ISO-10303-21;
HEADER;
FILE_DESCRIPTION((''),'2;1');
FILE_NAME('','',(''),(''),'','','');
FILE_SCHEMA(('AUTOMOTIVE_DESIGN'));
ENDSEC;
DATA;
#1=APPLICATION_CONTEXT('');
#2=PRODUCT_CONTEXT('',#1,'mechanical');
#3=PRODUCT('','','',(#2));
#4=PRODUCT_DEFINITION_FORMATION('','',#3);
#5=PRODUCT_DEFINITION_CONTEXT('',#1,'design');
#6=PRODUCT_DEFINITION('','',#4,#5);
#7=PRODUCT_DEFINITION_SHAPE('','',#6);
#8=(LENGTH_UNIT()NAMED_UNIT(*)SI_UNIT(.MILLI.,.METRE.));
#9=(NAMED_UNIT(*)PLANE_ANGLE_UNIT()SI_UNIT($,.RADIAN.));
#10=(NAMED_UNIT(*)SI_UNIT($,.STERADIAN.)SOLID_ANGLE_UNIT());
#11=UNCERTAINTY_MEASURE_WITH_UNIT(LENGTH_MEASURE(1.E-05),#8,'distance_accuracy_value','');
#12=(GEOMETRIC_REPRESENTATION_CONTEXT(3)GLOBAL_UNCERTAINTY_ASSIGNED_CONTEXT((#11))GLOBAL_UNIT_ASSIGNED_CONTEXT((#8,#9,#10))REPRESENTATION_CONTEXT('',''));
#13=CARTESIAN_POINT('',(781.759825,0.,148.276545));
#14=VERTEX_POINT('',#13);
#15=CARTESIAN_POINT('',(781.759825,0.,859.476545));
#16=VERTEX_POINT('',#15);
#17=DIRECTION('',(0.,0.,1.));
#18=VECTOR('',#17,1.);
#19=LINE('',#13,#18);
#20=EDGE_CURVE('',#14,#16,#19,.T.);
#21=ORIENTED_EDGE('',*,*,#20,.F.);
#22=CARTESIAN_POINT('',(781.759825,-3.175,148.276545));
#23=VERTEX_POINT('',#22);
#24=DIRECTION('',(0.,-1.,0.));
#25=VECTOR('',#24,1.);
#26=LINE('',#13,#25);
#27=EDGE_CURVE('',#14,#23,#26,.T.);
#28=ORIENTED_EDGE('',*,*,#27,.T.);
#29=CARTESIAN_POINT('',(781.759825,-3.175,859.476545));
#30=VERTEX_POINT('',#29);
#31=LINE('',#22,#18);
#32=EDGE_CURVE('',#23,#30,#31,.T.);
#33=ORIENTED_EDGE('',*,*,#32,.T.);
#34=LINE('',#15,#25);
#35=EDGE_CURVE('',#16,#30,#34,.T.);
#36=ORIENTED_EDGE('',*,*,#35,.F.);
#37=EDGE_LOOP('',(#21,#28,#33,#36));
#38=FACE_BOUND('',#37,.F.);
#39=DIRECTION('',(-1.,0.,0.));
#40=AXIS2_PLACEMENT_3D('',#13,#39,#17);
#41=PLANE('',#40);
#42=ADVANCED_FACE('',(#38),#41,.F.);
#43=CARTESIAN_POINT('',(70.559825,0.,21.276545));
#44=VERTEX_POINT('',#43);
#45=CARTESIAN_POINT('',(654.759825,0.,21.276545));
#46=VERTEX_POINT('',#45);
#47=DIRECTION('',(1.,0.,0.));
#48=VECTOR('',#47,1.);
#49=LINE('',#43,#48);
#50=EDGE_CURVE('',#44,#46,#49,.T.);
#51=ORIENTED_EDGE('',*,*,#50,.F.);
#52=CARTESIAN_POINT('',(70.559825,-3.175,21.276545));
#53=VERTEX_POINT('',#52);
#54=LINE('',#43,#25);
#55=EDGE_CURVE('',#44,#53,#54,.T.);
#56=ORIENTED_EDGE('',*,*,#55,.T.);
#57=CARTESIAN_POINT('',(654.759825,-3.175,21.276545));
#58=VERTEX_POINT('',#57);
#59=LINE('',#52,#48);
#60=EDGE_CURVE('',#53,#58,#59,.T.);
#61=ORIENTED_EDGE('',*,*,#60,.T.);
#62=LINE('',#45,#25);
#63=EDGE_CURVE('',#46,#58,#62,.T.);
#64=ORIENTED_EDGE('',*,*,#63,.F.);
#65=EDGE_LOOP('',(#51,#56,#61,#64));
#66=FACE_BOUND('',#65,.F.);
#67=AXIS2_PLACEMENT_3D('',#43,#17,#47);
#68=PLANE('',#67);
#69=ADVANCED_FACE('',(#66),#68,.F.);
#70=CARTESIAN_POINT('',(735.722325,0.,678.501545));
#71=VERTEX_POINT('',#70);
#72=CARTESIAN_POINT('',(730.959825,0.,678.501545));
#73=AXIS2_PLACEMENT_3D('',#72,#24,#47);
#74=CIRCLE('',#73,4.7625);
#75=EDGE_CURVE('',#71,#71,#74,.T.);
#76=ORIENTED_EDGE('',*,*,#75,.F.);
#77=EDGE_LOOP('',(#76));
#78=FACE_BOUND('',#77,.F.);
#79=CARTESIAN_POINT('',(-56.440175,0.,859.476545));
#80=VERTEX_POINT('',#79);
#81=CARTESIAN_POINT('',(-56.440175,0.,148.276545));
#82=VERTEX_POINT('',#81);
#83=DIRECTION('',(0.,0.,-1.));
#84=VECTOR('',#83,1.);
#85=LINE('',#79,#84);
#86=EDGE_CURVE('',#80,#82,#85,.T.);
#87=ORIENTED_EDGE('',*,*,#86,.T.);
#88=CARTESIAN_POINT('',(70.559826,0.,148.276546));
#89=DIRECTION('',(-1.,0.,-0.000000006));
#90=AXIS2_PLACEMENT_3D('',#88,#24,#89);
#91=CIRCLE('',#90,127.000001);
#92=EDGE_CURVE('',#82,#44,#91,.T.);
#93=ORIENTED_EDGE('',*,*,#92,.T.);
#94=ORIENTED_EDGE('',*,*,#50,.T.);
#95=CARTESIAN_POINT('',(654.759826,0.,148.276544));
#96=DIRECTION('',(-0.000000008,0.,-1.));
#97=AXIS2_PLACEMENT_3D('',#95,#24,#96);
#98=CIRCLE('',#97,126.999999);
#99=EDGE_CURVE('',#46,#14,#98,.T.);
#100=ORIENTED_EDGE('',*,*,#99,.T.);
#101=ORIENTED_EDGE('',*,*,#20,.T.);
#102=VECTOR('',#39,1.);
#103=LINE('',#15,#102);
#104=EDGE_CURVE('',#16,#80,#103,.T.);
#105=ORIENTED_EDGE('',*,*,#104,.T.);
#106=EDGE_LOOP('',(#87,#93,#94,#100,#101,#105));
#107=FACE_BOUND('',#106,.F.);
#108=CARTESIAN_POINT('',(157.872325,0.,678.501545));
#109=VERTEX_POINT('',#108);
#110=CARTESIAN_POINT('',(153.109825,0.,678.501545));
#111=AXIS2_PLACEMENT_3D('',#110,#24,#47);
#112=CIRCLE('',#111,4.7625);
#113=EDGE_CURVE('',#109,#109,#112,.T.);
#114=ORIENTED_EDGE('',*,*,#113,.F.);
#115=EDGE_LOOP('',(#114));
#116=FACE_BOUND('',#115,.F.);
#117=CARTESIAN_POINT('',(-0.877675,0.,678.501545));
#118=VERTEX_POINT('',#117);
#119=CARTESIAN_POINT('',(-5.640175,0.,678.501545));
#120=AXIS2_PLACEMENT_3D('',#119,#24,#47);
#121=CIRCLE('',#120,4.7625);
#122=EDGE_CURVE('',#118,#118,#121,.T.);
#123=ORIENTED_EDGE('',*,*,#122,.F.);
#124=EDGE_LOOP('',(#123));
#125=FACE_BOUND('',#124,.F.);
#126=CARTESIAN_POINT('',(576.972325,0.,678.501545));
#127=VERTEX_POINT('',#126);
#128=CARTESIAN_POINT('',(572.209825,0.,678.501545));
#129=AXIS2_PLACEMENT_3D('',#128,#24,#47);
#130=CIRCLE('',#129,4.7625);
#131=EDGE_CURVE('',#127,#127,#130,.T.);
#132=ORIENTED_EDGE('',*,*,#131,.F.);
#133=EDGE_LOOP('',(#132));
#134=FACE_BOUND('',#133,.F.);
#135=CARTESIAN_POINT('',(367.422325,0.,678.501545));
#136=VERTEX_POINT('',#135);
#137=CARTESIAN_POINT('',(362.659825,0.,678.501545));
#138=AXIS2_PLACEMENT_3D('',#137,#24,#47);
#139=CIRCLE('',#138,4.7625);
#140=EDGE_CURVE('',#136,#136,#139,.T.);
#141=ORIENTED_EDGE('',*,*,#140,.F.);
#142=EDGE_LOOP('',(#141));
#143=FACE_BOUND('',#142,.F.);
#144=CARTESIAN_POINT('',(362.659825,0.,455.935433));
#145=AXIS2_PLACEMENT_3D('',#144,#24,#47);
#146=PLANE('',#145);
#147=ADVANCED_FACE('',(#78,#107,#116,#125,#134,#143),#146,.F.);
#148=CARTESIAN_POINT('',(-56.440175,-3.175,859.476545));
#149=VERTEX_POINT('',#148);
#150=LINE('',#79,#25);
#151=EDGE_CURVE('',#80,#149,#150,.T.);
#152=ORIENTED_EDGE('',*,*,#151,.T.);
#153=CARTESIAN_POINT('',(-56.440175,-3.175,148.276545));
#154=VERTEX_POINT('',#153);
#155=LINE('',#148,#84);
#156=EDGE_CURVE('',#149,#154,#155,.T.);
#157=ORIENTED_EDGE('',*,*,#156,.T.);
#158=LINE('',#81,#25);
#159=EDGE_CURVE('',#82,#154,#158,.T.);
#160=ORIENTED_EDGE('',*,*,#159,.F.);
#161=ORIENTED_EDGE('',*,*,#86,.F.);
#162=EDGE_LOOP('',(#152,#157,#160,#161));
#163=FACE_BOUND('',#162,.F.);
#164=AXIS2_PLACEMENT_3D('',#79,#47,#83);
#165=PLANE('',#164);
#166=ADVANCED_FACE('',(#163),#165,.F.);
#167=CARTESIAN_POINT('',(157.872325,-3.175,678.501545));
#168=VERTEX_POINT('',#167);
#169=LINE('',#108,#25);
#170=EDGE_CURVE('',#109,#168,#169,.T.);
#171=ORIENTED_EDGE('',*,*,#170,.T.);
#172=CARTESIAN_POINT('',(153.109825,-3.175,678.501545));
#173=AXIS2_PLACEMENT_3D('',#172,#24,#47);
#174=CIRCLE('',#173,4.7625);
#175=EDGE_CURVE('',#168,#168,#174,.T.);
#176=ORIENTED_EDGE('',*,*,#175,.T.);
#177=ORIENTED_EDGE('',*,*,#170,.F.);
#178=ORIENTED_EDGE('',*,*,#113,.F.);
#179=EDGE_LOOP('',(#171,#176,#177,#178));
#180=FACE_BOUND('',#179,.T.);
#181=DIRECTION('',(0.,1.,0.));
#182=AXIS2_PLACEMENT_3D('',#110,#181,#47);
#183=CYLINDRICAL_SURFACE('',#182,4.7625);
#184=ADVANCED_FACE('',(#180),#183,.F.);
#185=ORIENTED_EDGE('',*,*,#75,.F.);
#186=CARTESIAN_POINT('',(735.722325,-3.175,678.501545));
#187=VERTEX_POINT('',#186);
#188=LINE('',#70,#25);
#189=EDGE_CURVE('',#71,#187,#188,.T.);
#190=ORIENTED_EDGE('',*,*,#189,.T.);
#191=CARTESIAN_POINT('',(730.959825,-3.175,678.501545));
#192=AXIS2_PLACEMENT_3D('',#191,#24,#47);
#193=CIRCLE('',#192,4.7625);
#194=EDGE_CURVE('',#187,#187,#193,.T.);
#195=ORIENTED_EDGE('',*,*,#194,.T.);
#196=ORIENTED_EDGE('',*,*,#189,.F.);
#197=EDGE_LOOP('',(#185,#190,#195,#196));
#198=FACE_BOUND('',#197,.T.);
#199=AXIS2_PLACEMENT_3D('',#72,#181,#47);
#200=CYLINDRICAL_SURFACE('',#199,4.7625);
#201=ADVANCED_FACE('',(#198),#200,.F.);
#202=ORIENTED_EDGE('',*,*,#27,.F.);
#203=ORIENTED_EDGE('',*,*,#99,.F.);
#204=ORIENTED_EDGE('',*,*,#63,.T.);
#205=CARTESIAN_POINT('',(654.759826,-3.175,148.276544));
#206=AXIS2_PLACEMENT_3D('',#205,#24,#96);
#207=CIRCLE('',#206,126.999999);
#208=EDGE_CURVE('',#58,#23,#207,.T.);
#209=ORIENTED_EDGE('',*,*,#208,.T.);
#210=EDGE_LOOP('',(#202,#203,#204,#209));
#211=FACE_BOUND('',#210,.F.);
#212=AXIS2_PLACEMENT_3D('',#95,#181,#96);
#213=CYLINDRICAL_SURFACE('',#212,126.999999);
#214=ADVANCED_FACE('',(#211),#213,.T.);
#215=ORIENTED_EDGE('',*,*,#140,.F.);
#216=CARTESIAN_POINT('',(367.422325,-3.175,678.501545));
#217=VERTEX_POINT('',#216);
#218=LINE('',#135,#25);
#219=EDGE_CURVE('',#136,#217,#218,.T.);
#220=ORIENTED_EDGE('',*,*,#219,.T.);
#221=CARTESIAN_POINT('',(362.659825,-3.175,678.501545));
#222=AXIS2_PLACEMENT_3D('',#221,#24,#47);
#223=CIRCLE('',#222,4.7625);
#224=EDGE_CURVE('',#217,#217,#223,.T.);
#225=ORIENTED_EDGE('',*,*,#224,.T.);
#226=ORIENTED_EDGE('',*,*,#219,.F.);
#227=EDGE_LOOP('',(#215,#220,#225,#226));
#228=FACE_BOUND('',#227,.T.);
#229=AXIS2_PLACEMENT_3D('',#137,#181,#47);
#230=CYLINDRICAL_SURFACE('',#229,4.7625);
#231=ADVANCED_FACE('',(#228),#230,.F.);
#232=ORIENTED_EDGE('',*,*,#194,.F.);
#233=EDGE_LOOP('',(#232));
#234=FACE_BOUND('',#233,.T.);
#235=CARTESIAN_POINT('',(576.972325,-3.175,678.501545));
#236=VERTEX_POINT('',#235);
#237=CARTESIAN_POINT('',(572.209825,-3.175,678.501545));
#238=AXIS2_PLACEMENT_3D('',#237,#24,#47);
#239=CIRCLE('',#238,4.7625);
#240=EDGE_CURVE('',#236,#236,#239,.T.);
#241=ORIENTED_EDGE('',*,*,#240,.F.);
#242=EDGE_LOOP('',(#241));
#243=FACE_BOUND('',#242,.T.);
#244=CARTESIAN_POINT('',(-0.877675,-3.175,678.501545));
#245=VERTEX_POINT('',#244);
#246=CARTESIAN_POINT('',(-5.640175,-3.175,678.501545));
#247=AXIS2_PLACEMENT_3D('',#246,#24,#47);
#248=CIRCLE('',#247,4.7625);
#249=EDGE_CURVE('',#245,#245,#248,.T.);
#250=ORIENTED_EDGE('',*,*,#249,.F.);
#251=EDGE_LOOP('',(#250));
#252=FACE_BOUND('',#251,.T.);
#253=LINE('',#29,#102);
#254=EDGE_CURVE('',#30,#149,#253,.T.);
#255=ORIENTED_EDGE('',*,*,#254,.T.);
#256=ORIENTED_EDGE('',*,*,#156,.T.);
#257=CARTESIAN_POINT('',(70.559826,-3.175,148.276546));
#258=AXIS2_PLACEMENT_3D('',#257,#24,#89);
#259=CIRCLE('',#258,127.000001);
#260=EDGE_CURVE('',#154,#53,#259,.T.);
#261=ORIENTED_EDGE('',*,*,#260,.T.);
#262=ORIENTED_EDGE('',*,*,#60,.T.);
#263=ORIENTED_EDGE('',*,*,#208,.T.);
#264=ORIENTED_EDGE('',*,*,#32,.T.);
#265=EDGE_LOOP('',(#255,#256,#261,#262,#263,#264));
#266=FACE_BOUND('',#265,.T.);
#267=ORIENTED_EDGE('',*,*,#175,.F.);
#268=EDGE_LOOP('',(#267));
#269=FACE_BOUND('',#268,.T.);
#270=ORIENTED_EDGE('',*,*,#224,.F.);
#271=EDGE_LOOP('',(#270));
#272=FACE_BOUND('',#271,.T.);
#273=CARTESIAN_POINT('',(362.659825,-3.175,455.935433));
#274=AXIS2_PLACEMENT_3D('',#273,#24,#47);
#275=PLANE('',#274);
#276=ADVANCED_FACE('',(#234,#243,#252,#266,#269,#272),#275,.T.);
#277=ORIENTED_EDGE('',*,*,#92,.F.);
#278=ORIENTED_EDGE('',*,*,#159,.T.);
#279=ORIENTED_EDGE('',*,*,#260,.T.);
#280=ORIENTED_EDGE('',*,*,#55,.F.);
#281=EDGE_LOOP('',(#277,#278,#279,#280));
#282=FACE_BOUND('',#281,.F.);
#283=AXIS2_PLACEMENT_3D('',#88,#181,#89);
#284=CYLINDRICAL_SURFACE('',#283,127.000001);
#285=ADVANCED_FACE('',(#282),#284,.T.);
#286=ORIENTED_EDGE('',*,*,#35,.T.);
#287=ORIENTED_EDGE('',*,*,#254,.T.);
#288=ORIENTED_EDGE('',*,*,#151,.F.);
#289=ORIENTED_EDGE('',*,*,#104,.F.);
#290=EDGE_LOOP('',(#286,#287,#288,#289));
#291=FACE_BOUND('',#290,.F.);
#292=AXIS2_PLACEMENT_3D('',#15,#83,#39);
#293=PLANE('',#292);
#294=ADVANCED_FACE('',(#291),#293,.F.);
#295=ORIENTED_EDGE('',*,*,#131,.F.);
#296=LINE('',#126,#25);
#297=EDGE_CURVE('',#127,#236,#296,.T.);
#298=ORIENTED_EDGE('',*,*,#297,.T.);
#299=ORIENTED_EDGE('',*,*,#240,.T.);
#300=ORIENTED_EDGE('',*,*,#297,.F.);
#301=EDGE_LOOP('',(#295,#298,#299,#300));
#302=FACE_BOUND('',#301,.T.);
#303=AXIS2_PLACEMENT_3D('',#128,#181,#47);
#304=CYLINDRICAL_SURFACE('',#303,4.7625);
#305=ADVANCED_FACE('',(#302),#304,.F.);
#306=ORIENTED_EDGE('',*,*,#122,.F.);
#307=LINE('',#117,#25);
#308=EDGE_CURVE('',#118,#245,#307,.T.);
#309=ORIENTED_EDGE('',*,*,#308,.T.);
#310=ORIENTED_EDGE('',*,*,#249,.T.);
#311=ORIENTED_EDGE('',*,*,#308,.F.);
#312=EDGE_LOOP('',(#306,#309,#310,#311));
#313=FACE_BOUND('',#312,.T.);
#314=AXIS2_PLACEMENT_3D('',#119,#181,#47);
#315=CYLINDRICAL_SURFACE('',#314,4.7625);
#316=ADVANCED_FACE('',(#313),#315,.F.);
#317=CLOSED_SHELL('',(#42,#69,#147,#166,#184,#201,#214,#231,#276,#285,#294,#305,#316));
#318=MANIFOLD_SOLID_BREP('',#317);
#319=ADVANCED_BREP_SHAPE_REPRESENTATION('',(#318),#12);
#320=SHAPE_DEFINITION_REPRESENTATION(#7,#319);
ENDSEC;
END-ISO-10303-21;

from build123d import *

# Parameters (mm, degrees)
F0_R     = 4.7625
F1_DEPTH = 3.175


with BuildPart() as f1:
    # F0 (on Front) → F1 (new body)
    with BuildSketch(Plane.XZ):
        with BuildLine():
            Line((781.759825, 859.476545), (-56.440175, 859.476545))
            Line((-56.440175, 859.476545), (-56.440175, 148.276545))
            ThreePointArc((-56.440175, 148.276545), (-19.242736, 58.473984), (70.559825, 21.276545))
            Line((70.559825, 21.276545), (654.759825, 21.276545))
            ThreePointArc((654.759825, 21.276545), (744.562387, 58.473984), (781.759825, 148.276545))
            Line((781.759825, 148.276545), (781.759825, 859.476545))
        make_face()
        with Locations((-5.640175, 678.501545)):
            Circle(F0_R, mode=Mode.SUBTRACT)
        with Locations((153.109825, 678.501545)):
            Circle(F0_R, mode=Mode.SUBTRACT)
        with Locations((362.659825, 678.501545)):
            Circle(F0_R, mode=Mode.SUBTRACT)
        with Locations((572.209825, 678.501545)):
            Circle(F0_R, mode=Mode.SUBTRACT)
        with Locations((730.959825, 678.501545)):
            Circle(F0_R, mode=Mode.SUBTRACT)
    extrude(amount=F1_DEPTH)


solid = f1.part
